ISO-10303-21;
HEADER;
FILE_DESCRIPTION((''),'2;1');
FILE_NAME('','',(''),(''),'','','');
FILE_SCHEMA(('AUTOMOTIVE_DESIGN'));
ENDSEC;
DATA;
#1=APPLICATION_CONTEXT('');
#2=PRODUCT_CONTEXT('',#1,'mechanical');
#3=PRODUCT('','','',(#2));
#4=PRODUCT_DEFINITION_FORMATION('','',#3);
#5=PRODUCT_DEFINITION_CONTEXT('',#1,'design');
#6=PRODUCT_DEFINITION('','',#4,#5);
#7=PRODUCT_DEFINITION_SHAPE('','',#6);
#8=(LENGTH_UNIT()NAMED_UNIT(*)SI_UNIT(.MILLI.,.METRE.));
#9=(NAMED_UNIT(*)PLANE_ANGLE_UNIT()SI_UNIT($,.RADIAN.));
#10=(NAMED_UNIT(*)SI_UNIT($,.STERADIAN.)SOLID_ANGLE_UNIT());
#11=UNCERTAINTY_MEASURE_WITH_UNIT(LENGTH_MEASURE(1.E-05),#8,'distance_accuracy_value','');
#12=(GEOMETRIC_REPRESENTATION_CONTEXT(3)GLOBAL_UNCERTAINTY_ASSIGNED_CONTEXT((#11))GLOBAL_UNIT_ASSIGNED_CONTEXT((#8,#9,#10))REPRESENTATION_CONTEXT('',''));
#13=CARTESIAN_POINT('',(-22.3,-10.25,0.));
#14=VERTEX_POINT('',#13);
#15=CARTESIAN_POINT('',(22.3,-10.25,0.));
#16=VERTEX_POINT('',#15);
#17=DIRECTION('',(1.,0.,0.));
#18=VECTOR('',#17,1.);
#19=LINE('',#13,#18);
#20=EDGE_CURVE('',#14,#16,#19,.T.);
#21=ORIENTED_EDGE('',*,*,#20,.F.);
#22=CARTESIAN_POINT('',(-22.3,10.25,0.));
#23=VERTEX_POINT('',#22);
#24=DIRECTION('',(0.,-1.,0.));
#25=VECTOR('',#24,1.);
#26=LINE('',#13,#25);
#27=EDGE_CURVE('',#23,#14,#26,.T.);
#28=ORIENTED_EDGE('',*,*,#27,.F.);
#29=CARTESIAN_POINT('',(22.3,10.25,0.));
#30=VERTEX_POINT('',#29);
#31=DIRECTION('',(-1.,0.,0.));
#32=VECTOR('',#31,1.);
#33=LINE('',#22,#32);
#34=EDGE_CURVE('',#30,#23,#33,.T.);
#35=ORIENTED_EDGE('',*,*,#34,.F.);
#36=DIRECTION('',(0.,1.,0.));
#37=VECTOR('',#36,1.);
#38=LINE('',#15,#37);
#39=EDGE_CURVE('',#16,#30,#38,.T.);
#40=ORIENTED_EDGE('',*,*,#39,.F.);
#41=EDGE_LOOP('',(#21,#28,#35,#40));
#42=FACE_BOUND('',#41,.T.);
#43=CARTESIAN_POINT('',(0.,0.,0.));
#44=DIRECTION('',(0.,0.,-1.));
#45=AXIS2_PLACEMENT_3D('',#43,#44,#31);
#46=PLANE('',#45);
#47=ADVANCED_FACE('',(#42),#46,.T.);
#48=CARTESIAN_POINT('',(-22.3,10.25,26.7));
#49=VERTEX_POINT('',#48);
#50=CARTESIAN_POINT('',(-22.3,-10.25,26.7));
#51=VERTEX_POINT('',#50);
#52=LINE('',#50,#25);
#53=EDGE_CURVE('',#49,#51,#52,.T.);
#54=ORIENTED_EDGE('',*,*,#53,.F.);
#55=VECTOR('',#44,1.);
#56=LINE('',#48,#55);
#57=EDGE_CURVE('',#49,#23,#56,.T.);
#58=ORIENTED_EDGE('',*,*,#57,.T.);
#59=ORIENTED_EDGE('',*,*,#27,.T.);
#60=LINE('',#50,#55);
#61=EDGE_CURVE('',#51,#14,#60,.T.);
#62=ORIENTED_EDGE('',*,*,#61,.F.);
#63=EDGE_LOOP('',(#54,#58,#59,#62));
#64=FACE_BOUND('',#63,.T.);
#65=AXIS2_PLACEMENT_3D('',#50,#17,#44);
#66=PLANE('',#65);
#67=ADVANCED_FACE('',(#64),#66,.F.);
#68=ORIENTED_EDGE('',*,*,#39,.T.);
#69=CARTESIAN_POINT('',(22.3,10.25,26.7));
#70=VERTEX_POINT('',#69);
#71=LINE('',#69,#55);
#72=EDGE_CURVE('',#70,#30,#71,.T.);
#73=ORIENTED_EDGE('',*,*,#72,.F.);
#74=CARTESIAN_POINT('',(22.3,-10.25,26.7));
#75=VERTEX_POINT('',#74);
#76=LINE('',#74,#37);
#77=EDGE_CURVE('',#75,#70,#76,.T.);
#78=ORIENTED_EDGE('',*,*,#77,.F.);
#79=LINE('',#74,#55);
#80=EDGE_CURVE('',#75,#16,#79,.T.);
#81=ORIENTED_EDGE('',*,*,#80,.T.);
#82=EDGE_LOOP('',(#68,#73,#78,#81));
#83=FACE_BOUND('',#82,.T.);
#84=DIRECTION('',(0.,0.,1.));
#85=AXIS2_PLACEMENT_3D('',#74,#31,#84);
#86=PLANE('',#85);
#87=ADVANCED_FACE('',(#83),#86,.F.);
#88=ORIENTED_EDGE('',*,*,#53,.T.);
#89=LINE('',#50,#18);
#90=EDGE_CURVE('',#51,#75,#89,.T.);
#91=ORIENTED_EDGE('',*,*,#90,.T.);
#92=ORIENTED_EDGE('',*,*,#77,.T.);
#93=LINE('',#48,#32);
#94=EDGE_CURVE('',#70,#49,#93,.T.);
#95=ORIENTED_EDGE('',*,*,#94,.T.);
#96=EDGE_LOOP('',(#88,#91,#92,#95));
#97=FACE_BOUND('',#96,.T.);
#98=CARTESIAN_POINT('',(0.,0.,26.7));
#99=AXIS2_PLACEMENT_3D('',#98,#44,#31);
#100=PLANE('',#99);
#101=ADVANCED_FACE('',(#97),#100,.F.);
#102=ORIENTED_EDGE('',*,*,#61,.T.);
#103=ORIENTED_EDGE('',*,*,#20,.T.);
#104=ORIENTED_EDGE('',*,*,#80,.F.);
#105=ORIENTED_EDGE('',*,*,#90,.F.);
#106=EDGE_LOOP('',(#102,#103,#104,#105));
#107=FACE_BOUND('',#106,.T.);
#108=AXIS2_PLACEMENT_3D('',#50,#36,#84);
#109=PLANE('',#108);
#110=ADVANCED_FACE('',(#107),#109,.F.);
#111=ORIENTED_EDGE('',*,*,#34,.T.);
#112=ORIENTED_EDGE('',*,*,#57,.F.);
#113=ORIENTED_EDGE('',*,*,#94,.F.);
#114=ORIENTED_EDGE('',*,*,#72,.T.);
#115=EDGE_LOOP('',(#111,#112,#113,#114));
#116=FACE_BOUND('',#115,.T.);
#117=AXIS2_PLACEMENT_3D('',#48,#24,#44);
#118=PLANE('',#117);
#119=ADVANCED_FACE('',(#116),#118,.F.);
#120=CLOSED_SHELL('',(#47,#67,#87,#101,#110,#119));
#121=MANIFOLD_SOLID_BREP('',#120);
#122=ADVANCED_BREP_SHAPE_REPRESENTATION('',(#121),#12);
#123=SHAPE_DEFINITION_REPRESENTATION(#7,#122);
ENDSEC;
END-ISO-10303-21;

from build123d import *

# Parameters (mm, degrees)
SKETCH1_W      = 44.6
SKETCH1_H      = 20.5
ENVELOPE_DEPTH = 26.7


with BuildPart() as part:
    # Sketch1 → Envelope (new body)
    with BuildSketch(Plane.XY):
        Rectangle(SKETCH1_W, SKETCH1_H)
    extrude(amount=ENVELOPE_DEPTH)


solid = part.part
